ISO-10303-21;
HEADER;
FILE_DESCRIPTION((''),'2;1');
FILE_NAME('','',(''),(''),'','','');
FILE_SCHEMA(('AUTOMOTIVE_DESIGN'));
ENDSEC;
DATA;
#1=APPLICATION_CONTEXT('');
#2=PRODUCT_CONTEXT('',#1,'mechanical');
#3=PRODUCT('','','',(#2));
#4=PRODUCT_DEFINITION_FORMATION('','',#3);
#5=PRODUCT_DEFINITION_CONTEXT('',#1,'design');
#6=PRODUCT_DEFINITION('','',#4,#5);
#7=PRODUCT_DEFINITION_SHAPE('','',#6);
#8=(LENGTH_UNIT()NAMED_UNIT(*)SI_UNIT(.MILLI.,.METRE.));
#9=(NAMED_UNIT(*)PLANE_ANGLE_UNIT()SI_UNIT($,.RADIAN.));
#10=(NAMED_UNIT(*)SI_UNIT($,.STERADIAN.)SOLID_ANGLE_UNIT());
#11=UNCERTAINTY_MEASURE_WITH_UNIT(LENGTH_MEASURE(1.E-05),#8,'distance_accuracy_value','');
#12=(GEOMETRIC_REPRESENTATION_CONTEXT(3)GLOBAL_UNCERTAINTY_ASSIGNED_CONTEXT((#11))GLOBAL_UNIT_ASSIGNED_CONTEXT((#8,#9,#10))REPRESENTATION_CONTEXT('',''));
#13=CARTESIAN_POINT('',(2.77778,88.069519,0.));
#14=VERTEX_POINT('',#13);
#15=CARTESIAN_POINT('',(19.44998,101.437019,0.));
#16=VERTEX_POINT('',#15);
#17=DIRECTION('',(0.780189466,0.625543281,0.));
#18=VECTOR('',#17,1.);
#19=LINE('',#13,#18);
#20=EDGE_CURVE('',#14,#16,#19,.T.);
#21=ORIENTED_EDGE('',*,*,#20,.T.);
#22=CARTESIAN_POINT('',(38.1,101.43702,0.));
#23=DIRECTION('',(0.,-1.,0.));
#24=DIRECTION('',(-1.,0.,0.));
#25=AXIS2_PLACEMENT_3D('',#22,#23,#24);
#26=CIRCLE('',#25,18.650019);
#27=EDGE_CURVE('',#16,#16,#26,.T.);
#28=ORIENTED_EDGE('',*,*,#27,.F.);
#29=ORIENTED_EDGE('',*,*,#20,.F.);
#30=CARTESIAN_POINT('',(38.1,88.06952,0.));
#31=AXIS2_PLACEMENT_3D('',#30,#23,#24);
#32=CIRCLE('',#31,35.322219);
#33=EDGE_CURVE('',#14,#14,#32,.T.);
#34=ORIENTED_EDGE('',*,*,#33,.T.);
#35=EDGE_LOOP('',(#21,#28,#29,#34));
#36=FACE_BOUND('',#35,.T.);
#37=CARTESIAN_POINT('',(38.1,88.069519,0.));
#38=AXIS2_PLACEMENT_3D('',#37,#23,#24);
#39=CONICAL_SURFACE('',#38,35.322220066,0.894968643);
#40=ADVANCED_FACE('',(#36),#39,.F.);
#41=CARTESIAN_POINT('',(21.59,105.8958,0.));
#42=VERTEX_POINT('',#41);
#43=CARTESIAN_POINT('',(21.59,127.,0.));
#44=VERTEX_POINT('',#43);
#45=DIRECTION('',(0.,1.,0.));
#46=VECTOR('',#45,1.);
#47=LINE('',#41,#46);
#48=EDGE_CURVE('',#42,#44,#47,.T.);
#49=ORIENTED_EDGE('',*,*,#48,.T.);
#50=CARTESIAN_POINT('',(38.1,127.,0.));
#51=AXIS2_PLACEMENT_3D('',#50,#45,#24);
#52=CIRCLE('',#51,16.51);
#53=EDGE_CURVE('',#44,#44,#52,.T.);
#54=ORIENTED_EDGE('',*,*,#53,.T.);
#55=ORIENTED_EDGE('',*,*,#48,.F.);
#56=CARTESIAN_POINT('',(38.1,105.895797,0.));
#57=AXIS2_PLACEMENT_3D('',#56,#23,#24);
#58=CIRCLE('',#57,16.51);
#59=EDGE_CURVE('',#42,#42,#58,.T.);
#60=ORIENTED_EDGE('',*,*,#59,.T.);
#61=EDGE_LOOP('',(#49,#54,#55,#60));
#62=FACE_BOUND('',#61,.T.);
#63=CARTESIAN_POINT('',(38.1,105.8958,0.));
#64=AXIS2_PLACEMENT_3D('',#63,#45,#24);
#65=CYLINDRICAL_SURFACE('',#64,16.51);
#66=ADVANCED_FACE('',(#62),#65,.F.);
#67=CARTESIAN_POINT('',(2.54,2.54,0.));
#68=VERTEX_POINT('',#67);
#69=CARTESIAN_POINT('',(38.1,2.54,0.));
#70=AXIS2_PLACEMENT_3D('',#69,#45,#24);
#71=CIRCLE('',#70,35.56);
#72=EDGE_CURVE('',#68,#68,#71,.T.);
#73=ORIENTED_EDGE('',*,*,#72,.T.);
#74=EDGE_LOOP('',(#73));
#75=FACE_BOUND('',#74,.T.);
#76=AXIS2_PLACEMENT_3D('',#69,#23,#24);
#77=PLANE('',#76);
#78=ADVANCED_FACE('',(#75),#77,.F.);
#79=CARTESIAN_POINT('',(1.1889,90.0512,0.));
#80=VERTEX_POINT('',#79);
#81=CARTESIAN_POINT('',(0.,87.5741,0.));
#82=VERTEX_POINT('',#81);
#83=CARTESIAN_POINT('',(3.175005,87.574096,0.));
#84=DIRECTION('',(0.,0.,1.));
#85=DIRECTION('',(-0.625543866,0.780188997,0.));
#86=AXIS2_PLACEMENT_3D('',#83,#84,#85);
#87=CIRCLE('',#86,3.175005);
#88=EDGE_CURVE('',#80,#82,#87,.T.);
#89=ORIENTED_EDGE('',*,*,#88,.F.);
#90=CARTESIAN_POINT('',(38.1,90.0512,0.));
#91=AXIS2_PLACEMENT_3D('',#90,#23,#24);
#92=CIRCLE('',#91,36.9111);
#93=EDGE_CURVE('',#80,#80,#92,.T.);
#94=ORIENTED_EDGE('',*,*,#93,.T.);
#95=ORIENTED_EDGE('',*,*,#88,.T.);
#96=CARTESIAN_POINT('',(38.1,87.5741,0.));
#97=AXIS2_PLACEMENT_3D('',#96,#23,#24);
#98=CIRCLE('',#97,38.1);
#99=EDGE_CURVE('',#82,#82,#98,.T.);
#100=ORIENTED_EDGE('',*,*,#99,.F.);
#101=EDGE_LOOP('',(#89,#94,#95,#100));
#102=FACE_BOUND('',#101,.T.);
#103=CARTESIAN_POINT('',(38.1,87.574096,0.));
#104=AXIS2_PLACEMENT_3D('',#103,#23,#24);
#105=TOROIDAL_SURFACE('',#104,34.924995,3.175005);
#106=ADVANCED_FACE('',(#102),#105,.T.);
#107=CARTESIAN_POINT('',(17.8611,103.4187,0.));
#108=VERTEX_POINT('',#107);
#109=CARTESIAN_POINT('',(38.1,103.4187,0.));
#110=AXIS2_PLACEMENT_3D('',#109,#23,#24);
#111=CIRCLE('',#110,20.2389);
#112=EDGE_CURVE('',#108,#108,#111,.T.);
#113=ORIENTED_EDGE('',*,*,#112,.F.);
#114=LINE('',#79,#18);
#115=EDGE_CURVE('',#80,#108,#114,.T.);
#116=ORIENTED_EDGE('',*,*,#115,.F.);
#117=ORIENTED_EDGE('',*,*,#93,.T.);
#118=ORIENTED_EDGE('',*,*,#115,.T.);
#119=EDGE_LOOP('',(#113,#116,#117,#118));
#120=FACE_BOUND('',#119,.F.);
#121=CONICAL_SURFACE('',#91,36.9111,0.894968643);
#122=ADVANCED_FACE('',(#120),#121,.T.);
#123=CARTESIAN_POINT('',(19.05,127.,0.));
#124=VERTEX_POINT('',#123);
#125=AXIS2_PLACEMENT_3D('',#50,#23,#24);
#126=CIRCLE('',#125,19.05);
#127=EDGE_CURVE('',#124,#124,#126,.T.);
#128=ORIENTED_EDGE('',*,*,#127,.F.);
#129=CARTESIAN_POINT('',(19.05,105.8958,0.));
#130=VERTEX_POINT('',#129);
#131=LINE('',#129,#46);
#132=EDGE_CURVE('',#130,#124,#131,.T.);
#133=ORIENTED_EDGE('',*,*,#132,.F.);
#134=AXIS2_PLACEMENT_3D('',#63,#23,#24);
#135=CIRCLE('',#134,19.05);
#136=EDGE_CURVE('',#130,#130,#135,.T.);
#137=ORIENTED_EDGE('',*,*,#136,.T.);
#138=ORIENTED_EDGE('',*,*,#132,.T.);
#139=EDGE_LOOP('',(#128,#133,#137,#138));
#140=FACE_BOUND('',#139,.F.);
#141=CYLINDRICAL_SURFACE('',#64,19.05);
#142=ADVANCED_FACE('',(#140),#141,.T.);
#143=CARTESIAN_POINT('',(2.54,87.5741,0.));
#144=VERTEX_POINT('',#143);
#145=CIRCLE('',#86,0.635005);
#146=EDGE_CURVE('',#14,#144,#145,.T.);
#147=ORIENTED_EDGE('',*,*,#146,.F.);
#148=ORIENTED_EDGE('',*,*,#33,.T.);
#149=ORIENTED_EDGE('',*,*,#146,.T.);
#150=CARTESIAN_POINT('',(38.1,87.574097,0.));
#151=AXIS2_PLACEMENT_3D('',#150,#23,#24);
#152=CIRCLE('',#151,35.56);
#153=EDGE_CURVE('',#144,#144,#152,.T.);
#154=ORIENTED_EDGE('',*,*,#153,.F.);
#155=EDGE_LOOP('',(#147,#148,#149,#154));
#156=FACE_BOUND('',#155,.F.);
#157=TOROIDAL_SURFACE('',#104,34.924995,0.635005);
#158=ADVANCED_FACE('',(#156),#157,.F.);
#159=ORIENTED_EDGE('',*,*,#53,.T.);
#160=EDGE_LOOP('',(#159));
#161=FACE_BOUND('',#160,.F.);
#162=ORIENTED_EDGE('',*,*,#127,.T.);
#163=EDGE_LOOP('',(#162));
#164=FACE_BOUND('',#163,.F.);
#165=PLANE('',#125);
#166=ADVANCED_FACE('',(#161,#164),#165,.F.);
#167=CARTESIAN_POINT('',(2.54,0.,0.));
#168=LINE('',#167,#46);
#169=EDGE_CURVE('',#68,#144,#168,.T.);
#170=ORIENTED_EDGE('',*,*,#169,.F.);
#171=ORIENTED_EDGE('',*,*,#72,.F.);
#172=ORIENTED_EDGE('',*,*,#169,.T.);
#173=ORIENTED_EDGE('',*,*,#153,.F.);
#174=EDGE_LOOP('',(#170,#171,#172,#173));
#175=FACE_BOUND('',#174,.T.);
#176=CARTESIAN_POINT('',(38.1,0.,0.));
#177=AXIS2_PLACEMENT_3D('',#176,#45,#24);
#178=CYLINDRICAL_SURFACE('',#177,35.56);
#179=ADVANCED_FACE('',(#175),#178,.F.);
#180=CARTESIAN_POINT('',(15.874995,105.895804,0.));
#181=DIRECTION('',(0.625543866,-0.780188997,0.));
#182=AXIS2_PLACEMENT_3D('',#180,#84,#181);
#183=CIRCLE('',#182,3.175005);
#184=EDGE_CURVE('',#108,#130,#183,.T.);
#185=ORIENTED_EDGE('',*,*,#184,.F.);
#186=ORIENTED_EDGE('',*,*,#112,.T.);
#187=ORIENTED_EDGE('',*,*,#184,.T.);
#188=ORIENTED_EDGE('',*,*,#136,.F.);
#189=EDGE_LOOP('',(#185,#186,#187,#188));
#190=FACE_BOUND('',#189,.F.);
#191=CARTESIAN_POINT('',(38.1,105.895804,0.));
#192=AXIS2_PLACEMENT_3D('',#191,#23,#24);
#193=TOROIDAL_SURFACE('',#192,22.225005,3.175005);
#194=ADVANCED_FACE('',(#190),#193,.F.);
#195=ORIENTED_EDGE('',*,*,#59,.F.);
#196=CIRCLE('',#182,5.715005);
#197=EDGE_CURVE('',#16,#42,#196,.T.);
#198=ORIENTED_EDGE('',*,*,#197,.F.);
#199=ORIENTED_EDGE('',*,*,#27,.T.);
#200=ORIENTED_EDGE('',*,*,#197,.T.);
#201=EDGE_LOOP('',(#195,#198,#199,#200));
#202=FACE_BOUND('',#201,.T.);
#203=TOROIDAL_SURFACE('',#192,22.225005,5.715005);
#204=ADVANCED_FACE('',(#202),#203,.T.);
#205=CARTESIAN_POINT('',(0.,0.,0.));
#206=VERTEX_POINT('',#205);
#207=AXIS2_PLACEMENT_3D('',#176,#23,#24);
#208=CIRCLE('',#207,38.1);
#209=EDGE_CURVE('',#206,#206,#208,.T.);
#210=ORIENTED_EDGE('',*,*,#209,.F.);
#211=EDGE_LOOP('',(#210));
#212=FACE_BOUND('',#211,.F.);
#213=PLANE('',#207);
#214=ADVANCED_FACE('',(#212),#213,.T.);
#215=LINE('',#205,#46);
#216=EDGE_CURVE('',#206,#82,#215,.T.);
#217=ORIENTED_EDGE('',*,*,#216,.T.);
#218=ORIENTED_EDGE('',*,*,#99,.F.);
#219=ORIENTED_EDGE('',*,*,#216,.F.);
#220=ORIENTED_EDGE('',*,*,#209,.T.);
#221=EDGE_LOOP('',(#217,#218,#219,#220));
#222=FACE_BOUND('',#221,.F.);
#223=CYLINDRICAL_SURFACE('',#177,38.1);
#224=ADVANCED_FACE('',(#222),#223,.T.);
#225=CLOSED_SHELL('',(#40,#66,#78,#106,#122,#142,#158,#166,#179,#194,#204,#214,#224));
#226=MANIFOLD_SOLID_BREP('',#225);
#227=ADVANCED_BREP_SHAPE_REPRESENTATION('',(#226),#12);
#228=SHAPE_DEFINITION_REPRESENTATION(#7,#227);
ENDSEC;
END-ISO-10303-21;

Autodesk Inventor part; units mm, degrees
ref_plane "YZ Plane" through (0, 0, 0) normal (1, 0, 0) x (0, 1, 0)
ref_plane "XZ Plane" through (0, 0, 0) normal (0, 1, 0) x (-1, 0, 0)
ref_plane "XY Plane" through (0, 0, 0) normal (0, 0, 1) x (1, 0, 0)
sketch "Sketch1" plane through (0, 0, 0) normal (0, 0, 1) x (1, 0, 0)
  line L0 (0, 0) -> (0, 87.5741)
  line L1 (1.1889, 90.0512) -> (17.8611, 103.4187)
  line L2 (19.05, 105.8958) -> (19.05, 127)
  line L3 (19.05, 127) -> (38.1, 127)
  line L4 (38.1, 127) -> (38.1, 0)
  line L5 (38.1, 0) -> (0, 0)
  arc A0 (17.8611, 103.4187) -> (19.05, 105.8958) centre (15.875, 105.8958) ccw
  arc A1 (1.1889, 90.0512) -> (0, 87.5741) centre (3.175, 87.5741) ccw
  dimension "d0" = 127
  dimension "d1" = 38.1
  dimension "d2" = 19.05
  dimension "d3" = 3.175
revolve "Revolution1" add sketch "Sketch1" angle 360 about axis through (38.1, 127, 0) along (0, -1, 0)
shell "Shell1" thickness 2.54 removed faces 1 at (38.9963, 127, 5.2259)
properties part number "bottle"
